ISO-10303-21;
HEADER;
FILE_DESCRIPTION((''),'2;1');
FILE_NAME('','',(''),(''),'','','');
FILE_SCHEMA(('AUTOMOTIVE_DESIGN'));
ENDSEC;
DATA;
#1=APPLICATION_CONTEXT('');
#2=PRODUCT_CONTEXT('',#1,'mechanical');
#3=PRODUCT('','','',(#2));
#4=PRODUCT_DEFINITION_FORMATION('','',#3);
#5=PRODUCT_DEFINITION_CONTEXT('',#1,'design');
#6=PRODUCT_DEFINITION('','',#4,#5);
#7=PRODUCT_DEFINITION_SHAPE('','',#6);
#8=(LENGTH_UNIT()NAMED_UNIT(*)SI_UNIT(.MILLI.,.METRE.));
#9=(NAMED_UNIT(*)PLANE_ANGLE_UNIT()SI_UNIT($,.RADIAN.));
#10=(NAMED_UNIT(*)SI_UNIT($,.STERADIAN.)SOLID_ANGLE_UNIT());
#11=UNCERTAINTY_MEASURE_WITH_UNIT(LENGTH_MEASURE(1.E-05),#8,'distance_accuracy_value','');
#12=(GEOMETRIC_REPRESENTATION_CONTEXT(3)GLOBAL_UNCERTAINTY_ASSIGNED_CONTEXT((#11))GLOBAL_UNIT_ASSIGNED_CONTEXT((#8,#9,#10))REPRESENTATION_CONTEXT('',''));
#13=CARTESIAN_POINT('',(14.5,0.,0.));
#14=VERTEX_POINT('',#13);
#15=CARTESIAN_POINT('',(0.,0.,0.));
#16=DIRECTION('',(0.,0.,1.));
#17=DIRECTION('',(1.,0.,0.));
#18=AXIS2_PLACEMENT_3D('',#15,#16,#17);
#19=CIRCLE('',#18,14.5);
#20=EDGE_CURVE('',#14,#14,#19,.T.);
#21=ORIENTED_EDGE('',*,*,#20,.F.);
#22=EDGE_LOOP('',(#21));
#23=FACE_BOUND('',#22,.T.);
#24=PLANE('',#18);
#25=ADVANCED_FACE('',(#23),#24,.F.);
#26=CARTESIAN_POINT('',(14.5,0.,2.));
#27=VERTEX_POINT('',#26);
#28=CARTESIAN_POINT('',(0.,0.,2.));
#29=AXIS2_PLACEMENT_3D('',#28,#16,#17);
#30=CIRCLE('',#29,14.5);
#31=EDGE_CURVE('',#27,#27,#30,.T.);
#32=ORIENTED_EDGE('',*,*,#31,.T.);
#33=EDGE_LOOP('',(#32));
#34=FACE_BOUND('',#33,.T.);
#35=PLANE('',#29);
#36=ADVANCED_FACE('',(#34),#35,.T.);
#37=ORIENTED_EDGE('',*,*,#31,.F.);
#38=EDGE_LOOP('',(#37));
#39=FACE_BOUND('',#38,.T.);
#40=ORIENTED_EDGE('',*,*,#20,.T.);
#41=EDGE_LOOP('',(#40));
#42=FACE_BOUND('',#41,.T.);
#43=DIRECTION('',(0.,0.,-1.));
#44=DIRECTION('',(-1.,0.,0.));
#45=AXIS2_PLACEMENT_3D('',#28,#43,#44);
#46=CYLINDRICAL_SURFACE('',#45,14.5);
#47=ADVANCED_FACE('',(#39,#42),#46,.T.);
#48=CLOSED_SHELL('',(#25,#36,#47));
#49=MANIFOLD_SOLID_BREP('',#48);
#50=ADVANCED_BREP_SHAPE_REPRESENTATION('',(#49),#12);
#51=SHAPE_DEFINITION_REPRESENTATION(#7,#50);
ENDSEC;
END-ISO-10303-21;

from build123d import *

# Parameters (mm, degrees)
SKETCH1_R           = 14.5
BOSS_EXTRUDE1_DEPTH = 2


with BuildPart() as part:
    # Sketch1 → Boss-Extrude1 (new body)
    with BuildSketch(Plane.XY):
        Circle(SKETCH1_R)
    extrude(amount=BOSS_EXTRUDE1_DEPTH)


solid = part.part
